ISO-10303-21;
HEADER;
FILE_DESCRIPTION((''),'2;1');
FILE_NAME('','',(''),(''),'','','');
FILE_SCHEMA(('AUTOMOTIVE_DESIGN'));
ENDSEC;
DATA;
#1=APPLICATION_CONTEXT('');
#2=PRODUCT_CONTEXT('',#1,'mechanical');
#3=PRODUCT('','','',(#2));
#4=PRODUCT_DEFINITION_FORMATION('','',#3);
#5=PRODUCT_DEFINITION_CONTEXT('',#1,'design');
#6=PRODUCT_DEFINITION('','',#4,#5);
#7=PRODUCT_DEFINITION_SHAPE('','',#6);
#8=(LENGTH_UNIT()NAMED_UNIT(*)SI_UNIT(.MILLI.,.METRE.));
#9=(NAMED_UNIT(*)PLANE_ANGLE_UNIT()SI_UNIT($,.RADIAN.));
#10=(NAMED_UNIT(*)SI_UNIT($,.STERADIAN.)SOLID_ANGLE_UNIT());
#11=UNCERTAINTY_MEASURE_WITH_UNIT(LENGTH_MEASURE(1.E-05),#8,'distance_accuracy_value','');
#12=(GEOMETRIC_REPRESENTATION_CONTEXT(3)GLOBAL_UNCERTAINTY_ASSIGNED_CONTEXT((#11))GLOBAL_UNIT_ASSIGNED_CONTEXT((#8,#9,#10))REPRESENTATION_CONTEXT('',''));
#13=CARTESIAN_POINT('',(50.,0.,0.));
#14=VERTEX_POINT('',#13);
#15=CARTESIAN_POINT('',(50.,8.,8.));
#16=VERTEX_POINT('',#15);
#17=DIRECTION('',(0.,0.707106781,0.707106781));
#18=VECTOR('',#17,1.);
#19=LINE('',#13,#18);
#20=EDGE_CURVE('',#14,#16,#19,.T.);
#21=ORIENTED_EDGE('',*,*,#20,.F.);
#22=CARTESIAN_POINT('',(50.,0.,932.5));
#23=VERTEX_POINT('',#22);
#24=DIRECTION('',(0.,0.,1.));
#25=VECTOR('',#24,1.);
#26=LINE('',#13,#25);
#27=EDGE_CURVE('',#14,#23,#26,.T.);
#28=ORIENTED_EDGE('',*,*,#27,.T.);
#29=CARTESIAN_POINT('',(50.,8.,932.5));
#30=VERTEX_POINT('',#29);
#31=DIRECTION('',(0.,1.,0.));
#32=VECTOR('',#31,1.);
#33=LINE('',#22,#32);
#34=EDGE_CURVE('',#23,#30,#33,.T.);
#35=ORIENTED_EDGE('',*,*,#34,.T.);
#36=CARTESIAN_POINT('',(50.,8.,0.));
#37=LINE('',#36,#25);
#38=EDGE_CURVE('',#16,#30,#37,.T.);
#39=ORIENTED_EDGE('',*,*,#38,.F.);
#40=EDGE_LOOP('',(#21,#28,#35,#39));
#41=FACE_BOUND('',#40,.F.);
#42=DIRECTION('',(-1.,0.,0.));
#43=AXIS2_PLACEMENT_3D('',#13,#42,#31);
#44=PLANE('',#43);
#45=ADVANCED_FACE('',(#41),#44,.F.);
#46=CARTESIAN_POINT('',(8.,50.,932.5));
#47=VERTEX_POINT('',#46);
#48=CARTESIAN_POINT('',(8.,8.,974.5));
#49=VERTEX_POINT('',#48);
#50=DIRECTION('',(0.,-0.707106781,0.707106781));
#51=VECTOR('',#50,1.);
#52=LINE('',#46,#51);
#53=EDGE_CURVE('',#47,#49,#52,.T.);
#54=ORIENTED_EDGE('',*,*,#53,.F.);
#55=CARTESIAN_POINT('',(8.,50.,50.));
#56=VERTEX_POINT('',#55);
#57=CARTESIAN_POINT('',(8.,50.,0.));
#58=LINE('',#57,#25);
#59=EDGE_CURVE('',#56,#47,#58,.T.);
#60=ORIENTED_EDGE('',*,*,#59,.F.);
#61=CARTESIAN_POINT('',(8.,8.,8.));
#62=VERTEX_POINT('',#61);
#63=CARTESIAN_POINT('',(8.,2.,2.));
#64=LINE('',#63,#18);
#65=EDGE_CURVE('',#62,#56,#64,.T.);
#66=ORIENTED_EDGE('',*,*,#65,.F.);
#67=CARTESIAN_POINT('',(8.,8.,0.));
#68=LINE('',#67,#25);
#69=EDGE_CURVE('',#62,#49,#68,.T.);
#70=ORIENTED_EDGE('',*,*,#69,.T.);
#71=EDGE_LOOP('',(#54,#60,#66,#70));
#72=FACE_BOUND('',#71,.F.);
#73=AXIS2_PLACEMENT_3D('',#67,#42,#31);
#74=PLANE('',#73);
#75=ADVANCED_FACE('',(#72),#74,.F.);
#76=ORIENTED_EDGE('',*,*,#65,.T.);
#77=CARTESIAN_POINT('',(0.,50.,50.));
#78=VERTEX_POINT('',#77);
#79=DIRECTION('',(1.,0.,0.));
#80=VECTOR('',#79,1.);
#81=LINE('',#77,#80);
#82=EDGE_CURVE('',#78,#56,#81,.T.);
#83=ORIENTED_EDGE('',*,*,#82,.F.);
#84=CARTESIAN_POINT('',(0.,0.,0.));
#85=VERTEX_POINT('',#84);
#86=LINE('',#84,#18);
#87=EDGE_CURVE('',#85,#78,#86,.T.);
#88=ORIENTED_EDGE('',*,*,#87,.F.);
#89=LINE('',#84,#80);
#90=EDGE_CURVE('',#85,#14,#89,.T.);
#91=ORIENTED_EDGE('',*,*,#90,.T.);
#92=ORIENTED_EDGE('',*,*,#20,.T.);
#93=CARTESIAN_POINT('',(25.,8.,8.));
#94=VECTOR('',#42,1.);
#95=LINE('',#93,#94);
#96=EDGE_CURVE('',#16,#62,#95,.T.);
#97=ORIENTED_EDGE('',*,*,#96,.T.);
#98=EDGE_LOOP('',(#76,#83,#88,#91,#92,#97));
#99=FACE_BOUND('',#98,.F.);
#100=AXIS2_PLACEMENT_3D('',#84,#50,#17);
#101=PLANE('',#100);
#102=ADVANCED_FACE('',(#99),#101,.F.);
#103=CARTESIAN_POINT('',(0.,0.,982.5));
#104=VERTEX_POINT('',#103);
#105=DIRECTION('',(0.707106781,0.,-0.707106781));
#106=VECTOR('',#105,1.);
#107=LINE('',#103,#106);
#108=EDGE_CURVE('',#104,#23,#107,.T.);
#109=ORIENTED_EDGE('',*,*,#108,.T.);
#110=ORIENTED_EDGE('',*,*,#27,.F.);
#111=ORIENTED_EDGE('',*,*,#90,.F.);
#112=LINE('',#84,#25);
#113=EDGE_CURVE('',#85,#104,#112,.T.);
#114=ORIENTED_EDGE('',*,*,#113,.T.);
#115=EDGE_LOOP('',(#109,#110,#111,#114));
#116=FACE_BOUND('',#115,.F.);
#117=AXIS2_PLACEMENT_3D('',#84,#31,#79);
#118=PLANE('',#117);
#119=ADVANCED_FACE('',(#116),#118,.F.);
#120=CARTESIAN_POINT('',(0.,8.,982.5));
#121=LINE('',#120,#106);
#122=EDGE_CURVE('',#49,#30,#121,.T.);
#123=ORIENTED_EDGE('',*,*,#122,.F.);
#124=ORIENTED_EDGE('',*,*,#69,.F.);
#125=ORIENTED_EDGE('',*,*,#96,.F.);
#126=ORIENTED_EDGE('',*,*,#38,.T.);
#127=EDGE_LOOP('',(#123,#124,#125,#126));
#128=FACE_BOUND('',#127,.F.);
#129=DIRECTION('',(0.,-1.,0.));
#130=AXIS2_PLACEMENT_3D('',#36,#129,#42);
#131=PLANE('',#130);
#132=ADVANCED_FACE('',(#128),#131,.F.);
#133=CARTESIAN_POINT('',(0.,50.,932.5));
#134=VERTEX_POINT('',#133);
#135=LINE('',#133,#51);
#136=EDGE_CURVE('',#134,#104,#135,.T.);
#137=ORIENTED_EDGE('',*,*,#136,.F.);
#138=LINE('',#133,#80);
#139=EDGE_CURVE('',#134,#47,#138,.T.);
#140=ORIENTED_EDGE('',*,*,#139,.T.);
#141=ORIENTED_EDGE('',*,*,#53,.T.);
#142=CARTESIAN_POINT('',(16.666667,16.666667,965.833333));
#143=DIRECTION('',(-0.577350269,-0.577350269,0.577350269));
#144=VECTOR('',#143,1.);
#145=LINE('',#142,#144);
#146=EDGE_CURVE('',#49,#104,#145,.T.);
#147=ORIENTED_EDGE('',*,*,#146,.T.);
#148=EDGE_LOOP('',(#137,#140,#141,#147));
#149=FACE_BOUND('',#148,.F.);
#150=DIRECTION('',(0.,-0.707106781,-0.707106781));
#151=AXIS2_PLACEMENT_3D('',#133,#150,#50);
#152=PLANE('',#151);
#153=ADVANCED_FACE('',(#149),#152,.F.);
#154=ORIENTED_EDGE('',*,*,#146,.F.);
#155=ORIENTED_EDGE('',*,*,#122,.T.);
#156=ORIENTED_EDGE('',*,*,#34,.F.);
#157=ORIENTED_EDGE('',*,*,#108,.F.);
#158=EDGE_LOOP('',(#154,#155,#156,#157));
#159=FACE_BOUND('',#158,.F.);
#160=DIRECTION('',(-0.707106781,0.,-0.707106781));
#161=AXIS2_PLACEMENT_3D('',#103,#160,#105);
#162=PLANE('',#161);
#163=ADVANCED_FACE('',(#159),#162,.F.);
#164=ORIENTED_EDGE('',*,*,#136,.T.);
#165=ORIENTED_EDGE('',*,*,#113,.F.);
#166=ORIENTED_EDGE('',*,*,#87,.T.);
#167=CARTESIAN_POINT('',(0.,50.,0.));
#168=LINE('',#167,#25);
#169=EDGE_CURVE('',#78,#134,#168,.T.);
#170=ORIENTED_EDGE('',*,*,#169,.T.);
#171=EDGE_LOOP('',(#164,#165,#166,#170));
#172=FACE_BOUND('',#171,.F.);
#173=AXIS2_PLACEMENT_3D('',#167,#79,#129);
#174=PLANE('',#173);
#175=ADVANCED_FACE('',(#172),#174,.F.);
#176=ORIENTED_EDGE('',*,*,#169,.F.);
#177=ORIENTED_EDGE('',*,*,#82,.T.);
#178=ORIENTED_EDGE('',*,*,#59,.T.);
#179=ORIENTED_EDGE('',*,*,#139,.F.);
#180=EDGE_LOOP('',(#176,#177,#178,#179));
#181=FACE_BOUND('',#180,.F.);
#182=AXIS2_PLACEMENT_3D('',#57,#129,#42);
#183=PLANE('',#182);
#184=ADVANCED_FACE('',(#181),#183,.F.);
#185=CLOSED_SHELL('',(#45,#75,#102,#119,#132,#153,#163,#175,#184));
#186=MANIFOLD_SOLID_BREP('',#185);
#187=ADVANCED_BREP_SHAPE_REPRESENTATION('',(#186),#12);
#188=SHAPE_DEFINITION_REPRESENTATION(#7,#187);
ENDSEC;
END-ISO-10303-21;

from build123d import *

# Parameters (mm, degrees)
F1_DEPTH = 982.5
F3_DEPTH = 8
F5_DEPTH = 8
F7_DEPTH = 50.001


with BuildPart() as f1:
    # F0 (on Top) → F1 (new body)
    with BuildSketch(Plane.XY):
        Polygon((0, 50), (0, 0), (50, 0), (50, 8), (8, 8), (8, 50), align=None)
    extrude(amount=F1_DEPTH)

    # F2 (on face) → F3 (cut, through all)
    with BuildSketch(Plane.XZ):
        Polygon((50, 982.5), (0, 982.5), (50, 932.5), align=None)
    extrude(amount=-F3_DEPTH, mode=Mode.SUBTRACT)

    # F4 (on face) → F5 (cut, through all)
    with BuildSketch(Plane(origin=(0, 0, 0), x_dir=(0, -1, 0), z_dir=(-1, 0, 0))):
        Polygon((-50, 932.5), (0, 982.5), (-8, 982.5), (-50, 982.5), align=None)
    extrude(amount=-F5_DEPTH, mode=Mode.SUBTRACT)

    # F6 (on face) → F7 (cut, through all)
    with BuildSketch(Plane(origin=(0, 0, 0), x_dir=(0, -1, 0), z_dir=(-1, 0, 0))):
        Polygon((-50, 0), (0, 0), (-50, 50), align=None)
    extrude(amount=-F7_DEPTH, mode=Mode.SUBTRACT)


solid = f1.part
